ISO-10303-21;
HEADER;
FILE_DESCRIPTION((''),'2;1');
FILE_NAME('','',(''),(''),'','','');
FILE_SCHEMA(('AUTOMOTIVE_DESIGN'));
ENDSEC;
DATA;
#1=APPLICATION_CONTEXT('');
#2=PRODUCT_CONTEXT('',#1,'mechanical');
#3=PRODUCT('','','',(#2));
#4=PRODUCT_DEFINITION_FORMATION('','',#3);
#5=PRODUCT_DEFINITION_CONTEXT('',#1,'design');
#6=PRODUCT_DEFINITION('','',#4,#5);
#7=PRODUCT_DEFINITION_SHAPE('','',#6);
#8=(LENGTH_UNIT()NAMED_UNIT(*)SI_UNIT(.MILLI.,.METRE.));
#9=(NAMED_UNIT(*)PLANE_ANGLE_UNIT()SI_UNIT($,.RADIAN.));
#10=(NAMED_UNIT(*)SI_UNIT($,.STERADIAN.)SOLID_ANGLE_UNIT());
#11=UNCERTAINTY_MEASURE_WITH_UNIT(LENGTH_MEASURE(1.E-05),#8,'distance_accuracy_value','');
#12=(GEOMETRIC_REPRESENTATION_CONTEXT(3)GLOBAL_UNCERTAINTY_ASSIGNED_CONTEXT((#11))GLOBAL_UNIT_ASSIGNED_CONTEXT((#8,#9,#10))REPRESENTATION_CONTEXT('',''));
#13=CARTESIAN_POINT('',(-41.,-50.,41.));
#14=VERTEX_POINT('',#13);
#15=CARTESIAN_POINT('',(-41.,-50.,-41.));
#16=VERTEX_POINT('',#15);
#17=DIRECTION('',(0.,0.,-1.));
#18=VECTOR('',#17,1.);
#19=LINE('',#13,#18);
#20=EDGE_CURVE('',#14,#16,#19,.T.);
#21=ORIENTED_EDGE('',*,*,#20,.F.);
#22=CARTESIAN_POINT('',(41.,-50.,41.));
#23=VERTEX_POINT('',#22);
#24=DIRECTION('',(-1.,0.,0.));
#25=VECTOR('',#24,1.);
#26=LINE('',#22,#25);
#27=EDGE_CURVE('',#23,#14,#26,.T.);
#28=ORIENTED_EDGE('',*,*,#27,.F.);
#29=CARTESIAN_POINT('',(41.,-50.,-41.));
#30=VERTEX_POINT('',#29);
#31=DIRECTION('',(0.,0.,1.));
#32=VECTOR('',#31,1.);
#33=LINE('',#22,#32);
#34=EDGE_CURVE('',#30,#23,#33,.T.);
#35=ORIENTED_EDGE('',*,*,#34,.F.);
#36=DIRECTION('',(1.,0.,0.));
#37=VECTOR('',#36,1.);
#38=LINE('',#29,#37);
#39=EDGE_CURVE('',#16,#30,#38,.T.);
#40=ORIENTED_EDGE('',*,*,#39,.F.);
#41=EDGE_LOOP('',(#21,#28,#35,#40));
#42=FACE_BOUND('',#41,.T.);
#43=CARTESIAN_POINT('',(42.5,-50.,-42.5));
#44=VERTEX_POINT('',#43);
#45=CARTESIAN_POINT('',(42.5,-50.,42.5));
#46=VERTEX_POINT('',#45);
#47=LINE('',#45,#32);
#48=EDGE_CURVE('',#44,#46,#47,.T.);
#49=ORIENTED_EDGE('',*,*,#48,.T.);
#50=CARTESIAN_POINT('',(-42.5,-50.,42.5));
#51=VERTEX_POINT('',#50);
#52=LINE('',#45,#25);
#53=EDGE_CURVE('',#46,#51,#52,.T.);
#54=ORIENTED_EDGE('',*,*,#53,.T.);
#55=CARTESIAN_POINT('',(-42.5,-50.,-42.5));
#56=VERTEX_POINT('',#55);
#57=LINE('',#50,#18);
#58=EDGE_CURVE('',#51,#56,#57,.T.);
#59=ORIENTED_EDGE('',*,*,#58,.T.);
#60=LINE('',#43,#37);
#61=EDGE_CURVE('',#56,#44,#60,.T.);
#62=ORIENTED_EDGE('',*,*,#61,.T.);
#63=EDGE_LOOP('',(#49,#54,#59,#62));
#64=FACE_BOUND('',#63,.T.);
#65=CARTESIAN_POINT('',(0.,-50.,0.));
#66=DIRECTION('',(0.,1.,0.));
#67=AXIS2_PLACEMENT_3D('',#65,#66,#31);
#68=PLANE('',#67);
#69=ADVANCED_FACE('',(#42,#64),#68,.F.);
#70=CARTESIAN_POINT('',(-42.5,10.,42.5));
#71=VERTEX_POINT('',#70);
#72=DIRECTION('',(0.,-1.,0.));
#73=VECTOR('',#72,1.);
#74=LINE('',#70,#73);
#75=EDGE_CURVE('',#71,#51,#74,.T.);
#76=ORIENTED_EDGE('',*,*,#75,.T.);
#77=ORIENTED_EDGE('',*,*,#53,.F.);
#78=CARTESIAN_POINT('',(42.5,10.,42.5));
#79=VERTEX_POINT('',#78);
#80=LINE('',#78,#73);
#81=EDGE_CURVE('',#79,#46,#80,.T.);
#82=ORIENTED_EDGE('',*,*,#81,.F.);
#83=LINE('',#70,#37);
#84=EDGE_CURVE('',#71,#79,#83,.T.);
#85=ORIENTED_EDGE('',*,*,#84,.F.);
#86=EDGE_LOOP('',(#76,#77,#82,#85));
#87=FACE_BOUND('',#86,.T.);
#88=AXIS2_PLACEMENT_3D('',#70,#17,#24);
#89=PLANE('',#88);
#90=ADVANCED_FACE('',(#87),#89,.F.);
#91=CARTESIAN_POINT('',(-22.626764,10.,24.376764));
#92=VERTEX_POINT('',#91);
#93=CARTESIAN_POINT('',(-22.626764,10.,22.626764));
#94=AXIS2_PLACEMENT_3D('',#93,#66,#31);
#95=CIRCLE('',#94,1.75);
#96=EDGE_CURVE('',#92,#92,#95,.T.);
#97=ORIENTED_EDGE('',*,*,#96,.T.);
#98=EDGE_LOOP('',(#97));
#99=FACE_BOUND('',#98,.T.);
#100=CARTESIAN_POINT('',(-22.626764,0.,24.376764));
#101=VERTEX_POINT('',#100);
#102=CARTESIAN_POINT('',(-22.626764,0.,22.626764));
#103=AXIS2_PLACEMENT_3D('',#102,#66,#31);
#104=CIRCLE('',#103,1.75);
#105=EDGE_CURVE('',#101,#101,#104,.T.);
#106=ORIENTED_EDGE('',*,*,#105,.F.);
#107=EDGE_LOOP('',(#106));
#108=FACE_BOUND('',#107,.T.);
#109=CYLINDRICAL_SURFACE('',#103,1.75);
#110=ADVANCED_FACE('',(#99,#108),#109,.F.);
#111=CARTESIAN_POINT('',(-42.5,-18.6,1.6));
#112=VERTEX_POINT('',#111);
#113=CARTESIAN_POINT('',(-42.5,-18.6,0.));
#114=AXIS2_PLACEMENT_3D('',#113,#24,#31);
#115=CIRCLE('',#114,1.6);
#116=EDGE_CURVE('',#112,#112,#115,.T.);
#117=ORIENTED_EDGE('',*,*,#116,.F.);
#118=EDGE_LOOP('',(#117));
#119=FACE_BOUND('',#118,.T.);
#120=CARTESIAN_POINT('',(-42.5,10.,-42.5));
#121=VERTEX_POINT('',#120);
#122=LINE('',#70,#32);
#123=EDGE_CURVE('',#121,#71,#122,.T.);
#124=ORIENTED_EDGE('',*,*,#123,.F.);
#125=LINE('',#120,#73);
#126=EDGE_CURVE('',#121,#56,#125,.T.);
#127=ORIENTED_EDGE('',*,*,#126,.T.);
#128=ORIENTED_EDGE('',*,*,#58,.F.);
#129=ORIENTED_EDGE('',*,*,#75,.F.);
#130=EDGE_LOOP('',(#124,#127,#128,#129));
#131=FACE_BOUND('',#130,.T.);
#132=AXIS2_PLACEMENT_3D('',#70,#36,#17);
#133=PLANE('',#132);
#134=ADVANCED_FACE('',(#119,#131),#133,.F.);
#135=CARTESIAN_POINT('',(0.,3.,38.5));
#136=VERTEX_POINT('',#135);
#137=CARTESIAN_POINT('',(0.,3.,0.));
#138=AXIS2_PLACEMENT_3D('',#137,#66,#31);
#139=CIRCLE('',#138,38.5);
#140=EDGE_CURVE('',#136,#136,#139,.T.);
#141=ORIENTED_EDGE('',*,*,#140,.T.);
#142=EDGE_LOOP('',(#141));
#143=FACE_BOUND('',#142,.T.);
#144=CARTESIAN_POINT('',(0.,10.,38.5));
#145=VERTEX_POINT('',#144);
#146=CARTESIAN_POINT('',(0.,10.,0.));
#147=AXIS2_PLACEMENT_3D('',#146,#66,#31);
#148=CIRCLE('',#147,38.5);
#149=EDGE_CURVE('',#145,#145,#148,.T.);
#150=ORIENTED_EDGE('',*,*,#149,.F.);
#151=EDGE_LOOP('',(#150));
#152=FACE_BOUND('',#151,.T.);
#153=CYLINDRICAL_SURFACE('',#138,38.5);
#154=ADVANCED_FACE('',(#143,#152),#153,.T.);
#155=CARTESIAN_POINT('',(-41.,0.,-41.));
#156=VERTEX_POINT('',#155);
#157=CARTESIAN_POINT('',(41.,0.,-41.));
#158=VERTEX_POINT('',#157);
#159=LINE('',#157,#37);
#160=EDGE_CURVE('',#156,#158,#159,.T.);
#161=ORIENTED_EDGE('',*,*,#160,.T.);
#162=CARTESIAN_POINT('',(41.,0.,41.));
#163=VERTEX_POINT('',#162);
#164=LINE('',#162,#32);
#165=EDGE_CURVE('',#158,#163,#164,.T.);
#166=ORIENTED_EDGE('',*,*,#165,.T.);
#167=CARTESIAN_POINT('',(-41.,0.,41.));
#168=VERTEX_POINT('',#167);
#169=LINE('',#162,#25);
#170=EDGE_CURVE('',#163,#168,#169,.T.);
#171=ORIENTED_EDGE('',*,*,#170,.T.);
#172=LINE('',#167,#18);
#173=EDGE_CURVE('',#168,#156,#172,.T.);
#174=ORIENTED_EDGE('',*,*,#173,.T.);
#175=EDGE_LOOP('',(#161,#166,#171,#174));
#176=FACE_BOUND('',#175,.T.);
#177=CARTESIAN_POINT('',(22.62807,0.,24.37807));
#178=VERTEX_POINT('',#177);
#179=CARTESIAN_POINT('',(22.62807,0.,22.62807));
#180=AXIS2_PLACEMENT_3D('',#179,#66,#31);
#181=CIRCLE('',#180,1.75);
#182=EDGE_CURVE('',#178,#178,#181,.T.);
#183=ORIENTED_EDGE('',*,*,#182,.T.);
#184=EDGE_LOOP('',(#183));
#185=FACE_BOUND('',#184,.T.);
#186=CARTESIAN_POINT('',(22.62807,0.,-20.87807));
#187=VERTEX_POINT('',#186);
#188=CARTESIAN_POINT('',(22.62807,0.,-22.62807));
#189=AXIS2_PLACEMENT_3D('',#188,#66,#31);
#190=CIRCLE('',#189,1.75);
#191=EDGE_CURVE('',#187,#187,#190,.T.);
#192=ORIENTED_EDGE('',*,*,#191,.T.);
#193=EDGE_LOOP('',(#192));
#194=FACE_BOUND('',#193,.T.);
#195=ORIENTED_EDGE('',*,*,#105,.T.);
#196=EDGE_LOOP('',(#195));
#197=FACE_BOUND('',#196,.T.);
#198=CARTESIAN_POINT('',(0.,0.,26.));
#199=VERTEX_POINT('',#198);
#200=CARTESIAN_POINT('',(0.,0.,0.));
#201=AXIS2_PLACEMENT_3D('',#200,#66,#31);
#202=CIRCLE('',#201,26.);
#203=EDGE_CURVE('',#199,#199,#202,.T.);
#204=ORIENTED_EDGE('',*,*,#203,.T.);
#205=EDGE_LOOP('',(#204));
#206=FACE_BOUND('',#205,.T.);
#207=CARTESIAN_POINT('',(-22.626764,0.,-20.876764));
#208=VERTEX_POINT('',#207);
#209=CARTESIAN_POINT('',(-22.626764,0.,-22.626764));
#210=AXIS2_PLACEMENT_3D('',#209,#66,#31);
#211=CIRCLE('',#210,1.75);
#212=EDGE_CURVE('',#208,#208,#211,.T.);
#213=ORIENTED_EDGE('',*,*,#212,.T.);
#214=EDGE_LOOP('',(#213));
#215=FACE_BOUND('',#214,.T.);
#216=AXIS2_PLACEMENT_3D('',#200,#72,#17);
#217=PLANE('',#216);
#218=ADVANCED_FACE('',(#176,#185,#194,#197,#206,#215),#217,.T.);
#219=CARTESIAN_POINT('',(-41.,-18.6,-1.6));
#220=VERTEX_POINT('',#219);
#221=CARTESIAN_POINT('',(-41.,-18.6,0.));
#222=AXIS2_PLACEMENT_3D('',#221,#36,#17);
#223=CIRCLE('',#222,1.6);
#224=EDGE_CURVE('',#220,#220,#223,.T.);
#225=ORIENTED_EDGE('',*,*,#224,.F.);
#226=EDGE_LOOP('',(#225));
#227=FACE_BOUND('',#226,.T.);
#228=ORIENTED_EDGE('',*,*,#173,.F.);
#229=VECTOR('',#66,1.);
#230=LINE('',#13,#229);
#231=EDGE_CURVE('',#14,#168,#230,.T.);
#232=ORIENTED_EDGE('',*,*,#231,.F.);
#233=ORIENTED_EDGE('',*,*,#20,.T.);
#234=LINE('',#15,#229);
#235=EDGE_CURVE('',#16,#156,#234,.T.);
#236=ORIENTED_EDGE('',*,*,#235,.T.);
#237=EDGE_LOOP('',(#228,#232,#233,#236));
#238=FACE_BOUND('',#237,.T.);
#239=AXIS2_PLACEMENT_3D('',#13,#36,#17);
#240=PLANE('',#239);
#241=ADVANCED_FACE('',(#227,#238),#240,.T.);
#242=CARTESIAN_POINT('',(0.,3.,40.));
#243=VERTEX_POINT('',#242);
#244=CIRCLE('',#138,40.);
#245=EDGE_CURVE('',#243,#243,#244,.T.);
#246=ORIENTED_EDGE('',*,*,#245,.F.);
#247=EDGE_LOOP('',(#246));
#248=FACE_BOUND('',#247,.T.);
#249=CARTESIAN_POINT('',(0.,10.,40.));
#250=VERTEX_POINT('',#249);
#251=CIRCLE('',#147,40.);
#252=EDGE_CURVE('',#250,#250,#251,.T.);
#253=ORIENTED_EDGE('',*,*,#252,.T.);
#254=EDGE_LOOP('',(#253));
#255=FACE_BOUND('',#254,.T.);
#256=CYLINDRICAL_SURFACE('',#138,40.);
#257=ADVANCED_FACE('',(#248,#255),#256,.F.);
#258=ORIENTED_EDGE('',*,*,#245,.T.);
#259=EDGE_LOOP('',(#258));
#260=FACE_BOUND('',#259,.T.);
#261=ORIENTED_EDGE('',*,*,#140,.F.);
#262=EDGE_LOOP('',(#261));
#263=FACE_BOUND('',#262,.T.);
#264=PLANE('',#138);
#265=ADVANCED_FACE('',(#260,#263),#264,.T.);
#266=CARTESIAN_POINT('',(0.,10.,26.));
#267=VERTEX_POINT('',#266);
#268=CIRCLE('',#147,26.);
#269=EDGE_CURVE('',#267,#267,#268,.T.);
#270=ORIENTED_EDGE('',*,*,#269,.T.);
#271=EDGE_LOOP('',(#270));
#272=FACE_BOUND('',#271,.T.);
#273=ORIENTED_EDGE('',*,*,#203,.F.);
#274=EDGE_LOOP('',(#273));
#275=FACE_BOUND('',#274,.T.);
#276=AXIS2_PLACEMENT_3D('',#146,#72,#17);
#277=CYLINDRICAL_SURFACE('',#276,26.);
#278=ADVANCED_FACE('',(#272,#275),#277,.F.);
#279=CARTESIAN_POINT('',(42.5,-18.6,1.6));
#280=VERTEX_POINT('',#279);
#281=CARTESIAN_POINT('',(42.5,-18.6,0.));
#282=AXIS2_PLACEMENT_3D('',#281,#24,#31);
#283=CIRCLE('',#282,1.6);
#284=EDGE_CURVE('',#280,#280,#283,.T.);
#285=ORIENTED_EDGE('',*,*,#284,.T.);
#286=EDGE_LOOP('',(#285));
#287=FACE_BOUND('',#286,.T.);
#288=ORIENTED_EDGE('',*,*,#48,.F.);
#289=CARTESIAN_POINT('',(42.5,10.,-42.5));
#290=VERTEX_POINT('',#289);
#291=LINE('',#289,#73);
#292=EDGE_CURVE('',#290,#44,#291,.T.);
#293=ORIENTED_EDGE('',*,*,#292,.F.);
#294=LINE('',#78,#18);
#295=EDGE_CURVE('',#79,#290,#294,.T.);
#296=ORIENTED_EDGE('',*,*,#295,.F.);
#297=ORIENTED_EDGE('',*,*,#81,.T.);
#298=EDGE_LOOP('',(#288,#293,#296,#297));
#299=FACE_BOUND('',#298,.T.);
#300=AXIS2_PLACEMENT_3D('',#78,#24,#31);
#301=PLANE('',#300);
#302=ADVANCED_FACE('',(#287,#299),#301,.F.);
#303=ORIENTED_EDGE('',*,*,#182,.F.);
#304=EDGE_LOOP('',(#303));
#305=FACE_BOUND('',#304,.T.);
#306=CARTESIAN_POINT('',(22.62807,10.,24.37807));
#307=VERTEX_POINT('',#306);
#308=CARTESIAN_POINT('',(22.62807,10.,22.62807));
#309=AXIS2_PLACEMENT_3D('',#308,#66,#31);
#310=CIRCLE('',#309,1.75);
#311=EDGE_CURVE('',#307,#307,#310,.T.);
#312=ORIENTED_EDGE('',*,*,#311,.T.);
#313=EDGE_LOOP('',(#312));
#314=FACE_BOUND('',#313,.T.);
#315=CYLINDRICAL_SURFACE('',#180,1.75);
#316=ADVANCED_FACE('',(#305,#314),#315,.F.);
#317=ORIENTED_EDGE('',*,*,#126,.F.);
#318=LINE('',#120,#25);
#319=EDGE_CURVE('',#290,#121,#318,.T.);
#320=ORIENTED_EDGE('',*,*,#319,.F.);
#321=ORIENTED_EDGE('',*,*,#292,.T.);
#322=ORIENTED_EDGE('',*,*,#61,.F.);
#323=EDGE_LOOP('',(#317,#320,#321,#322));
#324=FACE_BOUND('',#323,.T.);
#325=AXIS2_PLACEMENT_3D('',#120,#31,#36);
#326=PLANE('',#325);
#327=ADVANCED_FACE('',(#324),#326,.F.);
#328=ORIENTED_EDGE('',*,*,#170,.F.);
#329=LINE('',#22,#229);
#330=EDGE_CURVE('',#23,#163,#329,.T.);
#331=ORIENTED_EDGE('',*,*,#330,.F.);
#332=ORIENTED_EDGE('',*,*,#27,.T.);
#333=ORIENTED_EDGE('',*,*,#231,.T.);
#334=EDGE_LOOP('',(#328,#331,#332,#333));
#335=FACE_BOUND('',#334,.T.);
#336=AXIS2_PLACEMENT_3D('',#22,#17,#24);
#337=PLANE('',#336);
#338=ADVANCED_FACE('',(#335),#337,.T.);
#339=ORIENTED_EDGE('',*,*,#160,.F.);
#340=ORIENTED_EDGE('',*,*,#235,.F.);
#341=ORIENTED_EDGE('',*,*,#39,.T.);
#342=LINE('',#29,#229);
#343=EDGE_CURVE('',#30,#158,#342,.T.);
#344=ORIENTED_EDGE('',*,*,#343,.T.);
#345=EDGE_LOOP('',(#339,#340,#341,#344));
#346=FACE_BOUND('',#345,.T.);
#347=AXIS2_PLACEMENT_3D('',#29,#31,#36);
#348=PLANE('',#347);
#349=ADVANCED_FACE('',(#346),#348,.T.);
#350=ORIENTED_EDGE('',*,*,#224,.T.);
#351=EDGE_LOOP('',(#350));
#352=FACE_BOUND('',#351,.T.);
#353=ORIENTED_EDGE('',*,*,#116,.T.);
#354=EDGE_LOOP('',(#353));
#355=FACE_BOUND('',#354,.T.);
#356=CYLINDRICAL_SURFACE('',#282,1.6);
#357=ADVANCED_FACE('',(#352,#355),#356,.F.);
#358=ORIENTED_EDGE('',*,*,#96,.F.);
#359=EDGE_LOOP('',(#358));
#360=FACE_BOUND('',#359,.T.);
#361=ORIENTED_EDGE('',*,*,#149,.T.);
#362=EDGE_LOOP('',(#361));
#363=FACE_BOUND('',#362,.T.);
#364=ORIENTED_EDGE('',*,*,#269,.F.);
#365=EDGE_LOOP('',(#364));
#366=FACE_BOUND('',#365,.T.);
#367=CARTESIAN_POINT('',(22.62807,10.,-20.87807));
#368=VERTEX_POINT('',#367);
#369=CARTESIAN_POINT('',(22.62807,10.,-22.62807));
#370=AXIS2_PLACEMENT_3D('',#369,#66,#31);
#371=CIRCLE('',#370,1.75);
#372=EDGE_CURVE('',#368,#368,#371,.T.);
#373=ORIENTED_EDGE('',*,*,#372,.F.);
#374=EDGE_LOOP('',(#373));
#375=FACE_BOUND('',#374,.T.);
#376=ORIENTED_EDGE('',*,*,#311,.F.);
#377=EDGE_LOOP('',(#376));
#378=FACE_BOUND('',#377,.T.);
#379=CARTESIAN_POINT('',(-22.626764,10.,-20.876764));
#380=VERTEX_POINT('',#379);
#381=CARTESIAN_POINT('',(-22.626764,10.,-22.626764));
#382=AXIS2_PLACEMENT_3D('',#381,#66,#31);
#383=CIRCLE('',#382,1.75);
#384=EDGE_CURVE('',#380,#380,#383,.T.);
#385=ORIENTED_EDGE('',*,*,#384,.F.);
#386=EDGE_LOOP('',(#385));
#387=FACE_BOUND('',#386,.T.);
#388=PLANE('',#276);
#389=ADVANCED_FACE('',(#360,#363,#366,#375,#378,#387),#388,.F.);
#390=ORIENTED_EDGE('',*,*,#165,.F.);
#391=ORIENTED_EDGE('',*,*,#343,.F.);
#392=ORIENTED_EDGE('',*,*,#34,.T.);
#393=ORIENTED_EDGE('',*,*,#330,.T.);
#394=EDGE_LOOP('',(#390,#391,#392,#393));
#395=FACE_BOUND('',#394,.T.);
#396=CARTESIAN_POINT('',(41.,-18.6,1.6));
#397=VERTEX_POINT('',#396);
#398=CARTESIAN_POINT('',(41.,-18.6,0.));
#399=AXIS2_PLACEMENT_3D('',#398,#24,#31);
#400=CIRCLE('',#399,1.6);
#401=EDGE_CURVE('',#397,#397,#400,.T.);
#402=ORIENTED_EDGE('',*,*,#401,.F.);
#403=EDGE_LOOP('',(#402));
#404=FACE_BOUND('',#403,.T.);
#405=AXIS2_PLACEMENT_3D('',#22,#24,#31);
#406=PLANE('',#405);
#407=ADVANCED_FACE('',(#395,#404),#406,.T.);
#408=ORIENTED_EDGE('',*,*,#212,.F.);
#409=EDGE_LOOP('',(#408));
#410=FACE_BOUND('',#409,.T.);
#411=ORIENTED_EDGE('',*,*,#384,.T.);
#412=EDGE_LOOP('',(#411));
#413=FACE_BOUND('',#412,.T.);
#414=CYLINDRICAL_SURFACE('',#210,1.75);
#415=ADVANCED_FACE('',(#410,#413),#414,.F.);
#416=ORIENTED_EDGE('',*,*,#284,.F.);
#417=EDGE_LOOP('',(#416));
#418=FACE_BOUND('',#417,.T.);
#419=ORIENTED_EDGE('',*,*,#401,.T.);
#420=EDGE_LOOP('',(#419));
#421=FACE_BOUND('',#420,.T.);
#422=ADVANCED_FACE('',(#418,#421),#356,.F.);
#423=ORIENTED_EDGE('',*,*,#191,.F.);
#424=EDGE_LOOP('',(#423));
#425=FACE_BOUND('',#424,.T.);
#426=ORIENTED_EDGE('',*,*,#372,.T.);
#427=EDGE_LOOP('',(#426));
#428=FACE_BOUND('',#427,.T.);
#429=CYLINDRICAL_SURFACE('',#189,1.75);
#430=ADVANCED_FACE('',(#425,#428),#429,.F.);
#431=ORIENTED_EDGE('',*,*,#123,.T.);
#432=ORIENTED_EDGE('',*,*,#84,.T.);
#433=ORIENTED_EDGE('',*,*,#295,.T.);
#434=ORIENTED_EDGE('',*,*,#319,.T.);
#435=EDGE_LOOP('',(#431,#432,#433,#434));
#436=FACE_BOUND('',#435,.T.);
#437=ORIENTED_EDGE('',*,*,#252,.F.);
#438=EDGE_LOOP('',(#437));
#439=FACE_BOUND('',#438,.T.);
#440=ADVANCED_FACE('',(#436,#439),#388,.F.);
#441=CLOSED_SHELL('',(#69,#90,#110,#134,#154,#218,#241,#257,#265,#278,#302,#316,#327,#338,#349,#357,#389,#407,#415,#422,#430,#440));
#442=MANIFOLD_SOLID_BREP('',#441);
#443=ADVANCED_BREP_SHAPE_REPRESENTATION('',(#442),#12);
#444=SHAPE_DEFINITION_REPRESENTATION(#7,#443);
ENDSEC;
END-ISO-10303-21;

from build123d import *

# Parameters (mm, degrees)
SKETCH1_W           = 85
SKETCH1_H           = 85
SKETCH1_R           = 26
BOSS_EXTRUDE1_DEPTH = 10
SKETCH2_R           = 1.75
CUT_EXTRUDE1_DEPTH  = 11
SKETCH3_W           = 85
SKETCH3_H           = 85
SKETCH3_W_2         = 82
SKETCH3_H_2         = 82
BOSS_EXTRUDE2_DEPTH = 50
SKETCH4_R           = 1.6
CUT_EXTRUDE2_DEPTH  = 86
SKETCH5_R           = 40
SKETCH5_R_2         = 38.5
CUT_EXTRUDE3_DEPTH  = 7


with BuildPart() as part:
    # Sketch1 → Boss-Extrude1 (new body)
    with BuildSketch(Plane(origin=(0, 0, 0), x_dir=(1, 0, 0), z_dir=(0, 1, 0))):
        Rectangle(SKETCH1_W, SKETCH1_H)
        Circle(SKETCH1_R, mode=Mode.SUBTRACT)
    extrude(amount=BOSS_EXTRUDE1_DEPTH)

    # Sketch2 → Cut-Extrude1 (cut, through all)
    with BuildSketch(Plane(origin=(0, 10, 0), x_dir=(1, 0, 0), z_dir=(0, 1, 0))):
        with Locations((22.628070081, 22.628070081)):
            Circle(SKETCH2_R)
        with Locations((-22.626763915, 22.626763915)):
            Circle(SKETCH2_R)
        with Locations((-22.626763915, -22.626763915)):
            Circle(SKETCH2_R)
        with Locations((22.628070081, -22.628070081)):
            Circle(SKETCH2_R)
    extrude(amount=-CUT_EXTRUDE1_DEPTH, mode=Mode.SUBTRACT)

    # Sketch3 → Boss-Extrude2 (add)
    with BuildSketch(Plane(origin=(0, 0, 0), x_dir=(-1, 0, 0), z_dir=(0, -1, 0))):
        Rectangle(SKETCH3_W, SKETCH3_H)
        Rectangle(SKETCH3_W_2, SKETCH3_H_2, mode=Mode.SUBTRACT)
    extrude(amount=BOSS_EXTRUDE2_DEPTH)

    # Sketch4 → Cut-Extrude2 (cut, through all)
    with BuildSketch(Plane.ZY.offset(42.5)):
        with Locations((0, -18.6)):
            Circle(SKETCH4_R)
    extrude(amount=-CUT_EXTRUDE2_DEPTH, mode=Mode.SUBTRACT)

    # Sketch5 → Cut-Extrude3 (cut)
    with BuildSketch(Plane(origin=(0, 10, 0), x_dir=(1, 0, 0), z_dir=(0, 1, 0))):
        Circle(SKETCH5_R)
        Circle(SKETCH5_R_2, mode=Mode.SUBTRACT)
    extrude(amount=-CUT_EXTRUDE3_DEPTH, mode=Mode.SUBTRACT)


solid = part.part
